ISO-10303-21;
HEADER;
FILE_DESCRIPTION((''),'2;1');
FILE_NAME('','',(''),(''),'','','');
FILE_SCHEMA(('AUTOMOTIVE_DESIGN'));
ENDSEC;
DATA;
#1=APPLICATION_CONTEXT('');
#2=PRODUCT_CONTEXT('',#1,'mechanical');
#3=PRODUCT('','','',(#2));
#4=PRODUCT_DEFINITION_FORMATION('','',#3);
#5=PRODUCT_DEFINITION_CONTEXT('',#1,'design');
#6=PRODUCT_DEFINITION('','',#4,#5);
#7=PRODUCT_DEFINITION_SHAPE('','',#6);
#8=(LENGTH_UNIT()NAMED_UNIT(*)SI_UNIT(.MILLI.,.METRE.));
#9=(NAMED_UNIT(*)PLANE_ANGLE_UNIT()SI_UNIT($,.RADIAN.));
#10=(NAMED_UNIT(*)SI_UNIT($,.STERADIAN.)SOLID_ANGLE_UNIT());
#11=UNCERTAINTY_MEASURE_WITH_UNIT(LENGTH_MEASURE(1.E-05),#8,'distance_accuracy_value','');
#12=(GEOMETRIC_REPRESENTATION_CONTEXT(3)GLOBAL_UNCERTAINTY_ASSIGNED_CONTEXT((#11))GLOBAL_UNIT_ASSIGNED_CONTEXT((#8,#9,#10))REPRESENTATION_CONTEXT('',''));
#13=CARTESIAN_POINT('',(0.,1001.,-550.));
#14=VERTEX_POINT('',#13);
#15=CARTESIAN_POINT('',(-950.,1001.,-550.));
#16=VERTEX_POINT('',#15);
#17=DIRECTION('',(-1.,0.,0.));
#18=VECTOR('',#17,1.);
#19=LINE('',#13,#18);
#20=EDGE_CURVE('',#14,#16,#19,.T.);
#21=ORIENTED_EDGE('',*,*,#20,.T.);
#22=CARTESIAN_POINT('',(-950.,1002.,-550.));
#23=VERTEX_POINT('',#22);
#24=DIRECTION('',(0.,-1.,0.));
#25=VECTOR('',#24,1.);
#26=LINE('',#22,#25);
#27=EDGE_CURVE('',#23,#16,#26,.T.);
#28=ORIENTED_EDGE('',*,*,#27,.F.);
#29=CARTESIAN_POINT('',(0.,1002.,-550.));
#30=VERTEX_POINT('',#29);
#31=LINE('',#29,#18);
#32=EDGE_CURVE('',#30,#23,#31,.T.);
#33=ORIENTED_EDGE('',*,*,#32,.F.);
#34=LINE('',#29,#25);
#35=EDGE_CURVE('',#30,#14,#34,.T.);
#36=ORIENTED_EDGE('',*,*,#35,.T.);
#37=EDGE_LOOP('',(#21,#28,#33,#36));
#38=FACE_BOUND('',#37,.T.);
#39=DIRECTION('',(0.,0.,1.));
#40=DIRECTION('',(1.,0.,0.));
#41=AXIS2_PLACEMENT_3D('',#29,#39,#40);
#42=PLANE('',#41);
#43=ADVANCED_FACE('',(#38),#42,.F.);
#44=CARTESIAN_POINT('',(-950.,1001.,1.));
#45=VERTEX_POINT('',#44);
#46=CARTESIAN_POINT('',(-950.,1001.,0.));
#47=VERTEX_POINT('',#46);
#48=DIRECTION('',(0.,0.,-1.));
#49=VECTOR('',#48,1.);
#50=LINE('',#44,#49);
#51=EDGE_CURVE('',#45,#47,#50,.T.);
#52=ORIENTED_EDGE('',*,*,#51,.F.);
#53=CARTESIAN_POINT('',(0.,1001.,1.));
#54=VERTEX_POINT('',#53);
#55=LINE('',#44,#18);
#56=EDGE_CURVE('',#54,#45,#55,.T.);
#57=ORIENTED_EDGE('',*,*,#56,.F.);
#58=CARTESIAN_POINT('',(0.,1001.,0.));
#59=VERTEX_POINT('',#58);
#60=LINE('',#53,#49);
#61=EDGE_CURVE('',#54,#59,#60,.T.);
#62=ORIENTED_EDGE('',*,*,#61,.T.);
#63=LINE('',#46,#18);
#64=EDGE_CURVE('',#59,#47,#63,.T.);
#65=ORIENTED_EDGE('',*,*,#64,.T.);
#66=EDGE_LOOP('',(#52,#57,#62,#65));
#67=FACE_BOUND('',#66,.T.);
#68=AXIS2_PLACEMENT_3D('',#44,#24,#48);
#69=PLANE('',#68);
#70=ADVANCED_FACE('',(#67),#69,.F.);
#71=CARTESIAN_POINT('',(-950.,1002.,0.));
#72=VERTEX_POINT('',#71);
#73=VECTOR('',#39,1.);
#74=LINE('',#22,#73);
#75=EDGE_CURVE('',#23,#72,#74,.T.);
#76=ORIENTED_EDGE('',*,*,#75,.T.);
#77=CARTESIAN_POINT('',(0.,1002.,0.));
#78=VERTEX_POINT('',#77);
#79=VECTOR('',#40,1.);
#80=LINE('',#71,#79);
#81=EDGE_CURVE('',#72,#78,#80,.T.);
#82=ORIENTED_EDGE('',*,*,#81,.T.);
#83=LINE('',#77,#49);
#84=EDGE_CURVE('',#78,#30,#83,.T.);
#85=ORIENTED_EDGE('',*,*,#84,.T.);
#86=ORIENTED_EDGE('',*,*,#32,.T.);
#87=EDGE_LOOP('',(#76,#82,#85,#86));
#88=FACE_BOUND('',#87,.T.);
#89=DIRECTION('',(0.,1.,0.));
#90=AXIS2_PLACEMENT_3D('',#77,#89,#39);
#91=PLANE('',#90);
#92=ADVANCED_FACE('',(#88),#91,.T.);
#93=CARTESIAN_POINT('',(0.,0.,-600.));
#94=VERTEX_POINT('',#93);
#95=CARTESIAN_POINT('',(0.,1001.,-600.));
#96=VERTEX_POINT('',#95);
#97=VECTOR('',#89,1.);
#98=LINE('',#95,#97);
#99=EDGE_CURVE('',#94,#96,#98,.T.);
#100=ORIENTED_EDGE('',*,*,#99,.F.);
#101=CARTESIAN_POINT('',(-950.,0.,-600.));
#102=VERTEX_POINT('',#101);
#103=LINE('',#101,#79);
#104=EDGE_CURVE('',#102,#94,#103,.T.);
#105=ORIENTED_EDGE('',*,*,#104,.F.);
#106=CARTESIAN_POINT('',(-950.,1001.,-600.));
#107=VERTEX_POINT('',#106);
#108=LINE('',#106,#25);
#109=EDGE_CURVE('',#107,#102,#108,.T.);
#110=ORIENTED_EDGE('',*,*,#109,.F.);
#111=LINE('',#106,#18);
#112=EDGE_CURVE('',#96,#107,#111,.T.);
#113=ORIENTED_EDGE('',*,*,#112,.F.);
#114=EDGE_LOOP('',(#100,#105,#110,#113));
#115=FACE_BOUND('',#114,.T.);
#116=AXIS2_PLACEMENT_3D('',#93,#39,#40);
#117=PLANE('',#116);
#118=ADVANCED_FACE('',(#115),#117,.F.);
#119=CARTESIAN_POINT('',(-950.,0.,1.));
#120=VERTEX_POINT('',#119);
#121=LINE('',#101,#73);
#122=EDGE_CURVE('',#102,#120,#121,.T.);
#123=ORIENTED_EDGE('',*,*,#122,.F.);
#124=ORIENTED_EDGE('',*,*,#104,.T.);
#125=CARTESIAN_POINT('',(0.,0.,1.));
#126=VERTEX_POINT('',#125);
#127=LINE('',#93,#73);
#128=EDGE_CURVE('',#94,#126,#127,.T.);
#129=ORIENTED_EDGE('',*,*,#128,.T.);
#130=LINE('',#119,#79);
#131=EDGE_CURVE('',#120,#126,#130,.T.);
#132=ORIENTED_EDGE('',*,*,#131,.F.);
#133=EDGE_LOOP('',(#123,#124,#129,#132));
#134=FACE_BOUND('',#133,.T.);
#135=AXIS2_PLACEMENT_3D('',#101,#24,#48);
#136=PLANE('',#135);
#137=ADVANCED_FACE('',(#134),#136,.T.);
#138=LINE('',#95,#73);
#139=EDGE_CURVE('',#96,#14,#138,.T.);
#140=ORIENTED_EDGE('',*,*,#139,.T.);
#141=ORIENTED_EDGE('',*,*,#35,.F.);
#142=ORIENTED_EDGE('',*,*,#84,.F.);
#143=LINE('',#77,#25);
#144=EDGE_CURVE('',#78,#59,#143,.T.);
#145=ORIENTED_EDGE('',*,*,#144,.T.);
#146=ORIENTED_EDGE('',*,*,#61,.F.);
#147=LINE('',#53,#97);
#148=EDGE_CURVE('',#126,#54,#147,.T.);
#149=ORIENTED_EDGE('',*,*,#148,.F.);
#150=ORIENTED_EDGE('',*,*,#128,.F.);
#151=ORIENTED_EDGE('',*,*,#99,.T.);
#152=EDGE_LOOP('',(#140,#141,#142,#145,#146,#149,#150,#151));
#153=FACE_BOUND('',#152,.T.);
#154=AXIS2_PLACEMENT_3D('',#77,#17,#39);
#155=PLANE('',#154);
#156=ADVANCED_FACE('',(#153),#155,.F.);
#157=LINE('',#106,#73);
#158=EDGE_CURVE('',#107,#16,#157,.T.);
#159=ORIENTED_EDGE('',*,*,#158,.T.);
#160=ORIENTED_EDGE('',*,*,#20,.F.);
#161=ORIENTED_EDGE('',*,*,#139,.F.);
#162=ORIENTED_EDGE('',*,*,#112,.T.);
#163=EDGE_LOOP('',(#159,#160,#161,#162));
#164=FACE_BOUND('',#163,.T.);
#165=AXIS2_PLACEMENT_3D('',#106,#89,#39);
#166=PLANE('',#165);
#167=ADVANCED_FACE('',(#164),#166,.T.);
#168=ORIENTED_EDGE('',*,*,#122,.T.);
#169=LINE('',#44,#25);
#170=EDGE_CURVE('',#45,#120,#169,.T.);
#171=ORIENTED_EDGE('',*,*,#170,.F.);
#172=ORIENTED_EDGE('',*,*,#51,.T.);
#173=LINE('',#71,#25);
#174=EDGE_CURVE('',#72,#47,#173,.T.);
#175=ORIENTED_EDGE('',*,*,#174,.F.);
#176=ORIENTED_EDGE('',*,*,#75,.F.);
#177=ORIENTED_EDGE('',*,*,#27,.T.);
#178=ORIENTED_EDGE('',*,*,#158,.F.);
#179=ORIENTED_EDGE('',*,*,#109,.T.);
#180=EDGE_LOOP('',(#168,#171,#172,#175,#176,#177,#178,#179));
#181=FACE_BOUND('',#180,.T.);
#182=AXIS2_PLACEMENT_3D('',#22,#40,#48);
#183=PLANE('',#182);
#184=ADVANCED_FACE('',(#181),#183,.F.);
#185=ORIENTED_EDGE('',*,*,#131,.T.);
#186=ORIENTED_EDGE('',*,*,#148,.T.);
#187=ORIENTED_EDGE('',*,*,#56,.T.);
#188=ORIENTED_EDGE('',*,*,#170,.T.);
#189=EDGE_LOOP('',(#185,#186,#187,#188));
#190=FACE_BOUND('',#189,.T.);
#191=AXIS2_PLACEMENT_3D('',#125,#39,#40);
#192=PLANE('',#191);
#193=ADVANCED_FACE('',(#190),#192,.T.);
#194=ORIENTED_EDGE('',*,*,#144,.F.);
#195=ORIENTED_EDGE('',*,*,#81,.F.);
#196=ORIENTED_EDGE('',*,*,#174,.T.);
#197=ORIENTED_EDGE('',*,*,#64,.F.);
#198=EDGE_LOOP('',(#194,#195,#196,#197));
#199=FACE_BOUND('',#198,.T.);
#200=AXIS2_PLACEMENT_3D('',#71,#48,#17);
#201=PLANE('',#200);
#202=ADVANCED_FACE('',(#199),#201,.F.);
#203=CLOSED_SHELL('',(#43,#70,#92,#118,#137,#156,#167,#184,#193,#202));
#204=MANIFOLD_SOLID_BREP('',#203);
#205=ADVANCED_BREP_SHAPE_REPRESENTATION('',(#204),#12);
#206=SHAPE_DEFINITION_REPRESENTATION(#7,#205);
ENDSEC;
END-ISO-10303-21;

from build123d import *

# Parameters (mm, degrees)
SKETCH_1_W      = 950
SKETCH_1_H      = 550
EXTRUDE_1_DEPTH = 1
SKETCH_2_W      = 950
SKETCH_2_H      = 550
EXTRUDE_2_DEPTH = 1
SKETCH_3_W      = 950
SKETCH_3_H      = 1001
EXTRUDE_3_DEPTH = 1
SKETCH_3_2_W    = 950
SKETCH_3_2_H    = 1001
EXTRUDE_4_DEPTH = 600


with BuildPart() as part:
    # 草图1 → 凸台-拉伸1 (new body)
    with BuildSketch(Plane(origin=(0, 0, 0), x_dir=(1, 0, 0), z_dir=(0, 1, 0))):
        with Locations((-475, 275)):
            Rectangle(SKETCH_1_W, SKETCH_1_H)
    extrude(amount=EXTRUDE_1_DEPTH)

    # 草图3 → 凸台-拉伸3 (add)
    with BuildSketch(Plane.XY):
        with Locations((-475, 500.5)):
            Rectangle(SKETCH_3_W, SKETCH_3_H)
    extrude(amount=EXTRUDE_3_DEPTH)



with BuildPart() as body_2:
    # 草图2 → 凸台-拉伸2 (new body)
    with BuildSketch(Plane(origin=(0, 1001, 0), x_dir=(1, 0, 0), z_dir=(0, 1, 0))):
        with Locations((-475, 275)):
            Rectangle(SKETCH_2_W, SKETCH_2_H)
    extrude(amount=EXTRUDE_2_DEPTH)


with BuildPart() as part_1:
    add(part.part)

    add(body_2.part)  # 凸台-拉伸4 merges body 2
    # 草图3<2> → 凸台-拉伸4 (add)
    with BuildSketch(Plane.XY):
        with Locations((-475, 500.5)):
            Rectangle(SKETCH_3_2_W, SKETCH_3_2_H)
    extrude(amount=-EXTRUDE_4_DEPTH)


solid = part_1.part
